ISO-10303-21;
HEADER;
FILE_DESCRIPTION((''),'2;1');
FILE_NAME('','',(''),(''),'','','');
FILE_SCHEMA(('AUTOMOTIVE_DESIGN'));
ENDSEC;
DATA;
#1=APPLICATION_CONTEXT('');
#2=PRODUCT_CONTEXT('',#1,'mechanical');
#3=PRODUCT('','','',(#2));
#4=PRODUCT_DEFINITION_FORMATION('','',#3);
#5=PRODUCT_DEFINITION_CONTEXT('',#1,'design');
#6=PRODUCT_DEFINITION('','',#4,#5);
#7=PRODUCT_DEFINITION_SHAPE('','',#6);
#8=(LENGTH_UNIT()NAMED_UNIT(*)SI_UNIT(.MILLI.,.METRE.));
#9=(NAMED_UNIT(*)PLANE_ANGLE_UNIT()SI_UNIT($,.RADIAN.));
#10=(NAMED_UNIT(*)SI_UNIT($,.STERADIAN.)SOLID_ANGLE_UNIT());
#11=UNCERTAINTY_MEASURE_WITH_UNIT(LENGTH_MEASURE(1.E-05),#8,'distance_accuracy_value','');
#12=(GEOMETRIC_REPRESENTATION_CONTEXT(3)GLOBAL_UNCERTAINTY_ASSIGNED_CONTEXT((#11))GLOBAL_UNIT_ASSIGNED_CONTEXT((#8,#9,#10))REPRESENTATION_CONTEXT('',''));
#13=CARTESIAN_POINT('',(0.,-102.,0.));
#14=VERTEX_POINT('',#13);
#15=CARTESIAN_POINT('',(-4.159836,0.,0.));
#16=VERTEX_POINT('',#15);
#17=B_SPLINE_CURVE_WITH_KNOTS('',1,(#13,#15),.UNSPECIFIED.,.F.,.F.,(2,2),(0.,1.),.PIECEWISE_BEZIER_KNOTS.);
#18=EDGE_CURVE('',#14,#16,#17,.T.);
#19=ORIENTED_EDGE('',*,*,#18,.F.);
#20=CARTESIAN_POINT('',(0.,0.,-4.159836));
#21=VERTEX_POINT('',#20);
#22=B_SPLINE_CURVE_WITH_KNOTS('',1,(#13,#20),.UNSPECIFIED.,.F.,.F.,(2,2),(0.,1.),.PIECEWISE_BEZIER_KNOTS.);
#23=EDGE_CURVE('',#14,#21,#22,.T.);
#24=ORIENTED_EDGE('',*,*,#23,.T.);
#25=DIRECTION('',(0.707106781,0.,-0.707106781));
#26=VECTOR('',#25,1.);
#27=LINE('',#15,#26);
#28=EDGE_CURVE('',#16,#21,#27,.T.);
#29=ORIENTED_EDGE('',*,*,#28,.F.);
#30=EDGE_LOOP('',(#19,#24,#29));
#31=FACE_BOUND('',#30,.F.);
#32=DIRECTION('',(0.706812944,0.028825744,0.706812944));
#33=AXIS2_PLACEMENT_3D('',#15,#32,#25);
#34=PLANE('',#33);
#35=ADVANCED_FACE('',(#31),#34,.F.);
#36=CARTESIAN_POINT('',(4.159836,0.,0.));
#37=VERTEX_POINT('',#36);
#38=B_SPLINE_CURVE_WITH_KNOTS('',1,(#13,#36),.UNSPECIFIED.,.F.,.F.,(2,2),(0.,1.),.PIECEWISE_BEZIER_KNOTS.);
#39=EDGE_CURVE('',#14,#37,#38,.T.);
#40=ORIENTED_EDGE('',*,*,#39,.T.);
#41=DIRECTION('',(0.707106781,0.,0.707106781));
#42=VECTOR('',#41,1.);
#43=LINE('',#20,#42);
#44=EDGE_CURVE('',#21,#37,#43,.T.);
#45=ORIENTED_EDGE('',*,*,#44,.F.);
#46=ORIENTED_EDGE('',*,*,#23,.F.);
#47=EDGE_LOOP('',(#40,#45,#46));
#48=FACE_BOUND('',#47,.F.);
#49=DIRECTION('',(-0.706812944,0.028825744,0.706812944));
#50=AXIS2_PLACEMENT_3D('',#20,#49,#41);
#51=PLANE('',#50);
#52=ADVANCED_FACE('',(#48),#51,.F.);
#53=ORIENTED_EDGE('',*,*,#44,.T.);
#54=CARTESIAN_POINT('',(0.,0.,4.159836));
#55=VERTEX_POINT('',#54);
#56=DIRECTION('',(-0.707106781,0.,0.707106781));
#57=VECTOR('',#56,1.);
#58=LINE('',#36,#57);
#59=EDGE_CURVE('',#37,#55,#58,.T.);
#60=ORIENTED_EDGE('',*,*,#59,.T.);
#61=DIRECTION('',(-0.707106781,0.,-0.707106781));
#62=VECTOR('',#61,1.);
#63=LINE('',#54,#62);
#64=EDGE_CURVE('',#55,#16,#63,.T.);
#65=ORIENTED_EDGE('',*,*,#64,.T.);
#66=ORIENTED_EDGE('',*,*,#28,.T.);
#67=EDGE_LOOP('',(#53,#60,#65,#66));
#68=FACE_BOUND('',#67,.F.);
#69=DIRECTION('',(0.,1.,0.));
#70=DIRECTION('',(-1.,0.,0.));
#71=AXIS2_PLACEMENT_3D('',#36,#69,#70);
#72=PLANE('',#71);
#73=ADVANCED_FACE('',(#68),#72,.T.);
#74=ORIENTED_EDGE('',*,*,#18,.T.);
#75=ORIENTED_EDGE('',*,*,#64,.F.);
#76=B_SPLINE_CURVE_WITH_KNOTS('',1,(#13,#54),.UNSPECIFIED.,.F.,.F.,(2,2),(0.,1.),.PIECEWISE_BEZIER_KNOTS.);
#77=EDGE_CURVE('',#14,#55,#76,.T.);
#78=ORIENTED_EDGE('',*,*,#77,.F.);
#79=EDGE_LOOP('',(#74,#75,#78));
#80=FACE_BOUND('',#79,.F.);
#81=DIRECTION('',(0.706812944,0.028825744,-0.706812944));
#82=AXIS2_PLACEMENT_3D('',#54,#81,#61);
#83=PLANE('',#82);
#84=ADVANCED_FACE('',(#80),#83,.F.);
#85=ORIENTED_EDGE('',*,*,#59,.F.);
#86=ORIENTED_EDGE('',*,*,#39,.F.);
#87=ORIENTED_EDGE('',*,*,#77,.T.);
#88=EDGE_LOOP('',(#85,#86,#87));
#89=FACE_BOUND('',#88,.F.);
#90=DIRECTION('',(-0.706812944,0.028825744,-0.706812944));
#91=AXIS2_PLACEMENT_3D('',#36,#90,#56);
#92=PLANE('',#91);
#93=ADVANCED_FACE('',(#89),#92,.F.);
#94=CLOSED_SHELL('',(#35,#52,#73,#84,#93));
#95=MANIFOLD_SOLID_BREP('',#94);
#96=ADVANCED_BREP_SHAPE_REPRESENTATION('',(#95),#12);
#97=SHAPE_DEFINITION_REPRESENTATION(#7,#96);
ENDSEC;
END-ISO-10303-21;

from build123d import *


with BuildPart() as f3:
    # F0 (on Front) → F3 section 0
    with BuildSketch(Plane.XZ, mode=Mode.PRIVATE) as f3_s0:
        Polygon((4.159836, 0), (0, 4.159836), (-4.159836, 0), (0, -4.159836), align=None)
    loft([Vertex(0, -102, 0), f3_s0.sketch])


solid = f3.part
